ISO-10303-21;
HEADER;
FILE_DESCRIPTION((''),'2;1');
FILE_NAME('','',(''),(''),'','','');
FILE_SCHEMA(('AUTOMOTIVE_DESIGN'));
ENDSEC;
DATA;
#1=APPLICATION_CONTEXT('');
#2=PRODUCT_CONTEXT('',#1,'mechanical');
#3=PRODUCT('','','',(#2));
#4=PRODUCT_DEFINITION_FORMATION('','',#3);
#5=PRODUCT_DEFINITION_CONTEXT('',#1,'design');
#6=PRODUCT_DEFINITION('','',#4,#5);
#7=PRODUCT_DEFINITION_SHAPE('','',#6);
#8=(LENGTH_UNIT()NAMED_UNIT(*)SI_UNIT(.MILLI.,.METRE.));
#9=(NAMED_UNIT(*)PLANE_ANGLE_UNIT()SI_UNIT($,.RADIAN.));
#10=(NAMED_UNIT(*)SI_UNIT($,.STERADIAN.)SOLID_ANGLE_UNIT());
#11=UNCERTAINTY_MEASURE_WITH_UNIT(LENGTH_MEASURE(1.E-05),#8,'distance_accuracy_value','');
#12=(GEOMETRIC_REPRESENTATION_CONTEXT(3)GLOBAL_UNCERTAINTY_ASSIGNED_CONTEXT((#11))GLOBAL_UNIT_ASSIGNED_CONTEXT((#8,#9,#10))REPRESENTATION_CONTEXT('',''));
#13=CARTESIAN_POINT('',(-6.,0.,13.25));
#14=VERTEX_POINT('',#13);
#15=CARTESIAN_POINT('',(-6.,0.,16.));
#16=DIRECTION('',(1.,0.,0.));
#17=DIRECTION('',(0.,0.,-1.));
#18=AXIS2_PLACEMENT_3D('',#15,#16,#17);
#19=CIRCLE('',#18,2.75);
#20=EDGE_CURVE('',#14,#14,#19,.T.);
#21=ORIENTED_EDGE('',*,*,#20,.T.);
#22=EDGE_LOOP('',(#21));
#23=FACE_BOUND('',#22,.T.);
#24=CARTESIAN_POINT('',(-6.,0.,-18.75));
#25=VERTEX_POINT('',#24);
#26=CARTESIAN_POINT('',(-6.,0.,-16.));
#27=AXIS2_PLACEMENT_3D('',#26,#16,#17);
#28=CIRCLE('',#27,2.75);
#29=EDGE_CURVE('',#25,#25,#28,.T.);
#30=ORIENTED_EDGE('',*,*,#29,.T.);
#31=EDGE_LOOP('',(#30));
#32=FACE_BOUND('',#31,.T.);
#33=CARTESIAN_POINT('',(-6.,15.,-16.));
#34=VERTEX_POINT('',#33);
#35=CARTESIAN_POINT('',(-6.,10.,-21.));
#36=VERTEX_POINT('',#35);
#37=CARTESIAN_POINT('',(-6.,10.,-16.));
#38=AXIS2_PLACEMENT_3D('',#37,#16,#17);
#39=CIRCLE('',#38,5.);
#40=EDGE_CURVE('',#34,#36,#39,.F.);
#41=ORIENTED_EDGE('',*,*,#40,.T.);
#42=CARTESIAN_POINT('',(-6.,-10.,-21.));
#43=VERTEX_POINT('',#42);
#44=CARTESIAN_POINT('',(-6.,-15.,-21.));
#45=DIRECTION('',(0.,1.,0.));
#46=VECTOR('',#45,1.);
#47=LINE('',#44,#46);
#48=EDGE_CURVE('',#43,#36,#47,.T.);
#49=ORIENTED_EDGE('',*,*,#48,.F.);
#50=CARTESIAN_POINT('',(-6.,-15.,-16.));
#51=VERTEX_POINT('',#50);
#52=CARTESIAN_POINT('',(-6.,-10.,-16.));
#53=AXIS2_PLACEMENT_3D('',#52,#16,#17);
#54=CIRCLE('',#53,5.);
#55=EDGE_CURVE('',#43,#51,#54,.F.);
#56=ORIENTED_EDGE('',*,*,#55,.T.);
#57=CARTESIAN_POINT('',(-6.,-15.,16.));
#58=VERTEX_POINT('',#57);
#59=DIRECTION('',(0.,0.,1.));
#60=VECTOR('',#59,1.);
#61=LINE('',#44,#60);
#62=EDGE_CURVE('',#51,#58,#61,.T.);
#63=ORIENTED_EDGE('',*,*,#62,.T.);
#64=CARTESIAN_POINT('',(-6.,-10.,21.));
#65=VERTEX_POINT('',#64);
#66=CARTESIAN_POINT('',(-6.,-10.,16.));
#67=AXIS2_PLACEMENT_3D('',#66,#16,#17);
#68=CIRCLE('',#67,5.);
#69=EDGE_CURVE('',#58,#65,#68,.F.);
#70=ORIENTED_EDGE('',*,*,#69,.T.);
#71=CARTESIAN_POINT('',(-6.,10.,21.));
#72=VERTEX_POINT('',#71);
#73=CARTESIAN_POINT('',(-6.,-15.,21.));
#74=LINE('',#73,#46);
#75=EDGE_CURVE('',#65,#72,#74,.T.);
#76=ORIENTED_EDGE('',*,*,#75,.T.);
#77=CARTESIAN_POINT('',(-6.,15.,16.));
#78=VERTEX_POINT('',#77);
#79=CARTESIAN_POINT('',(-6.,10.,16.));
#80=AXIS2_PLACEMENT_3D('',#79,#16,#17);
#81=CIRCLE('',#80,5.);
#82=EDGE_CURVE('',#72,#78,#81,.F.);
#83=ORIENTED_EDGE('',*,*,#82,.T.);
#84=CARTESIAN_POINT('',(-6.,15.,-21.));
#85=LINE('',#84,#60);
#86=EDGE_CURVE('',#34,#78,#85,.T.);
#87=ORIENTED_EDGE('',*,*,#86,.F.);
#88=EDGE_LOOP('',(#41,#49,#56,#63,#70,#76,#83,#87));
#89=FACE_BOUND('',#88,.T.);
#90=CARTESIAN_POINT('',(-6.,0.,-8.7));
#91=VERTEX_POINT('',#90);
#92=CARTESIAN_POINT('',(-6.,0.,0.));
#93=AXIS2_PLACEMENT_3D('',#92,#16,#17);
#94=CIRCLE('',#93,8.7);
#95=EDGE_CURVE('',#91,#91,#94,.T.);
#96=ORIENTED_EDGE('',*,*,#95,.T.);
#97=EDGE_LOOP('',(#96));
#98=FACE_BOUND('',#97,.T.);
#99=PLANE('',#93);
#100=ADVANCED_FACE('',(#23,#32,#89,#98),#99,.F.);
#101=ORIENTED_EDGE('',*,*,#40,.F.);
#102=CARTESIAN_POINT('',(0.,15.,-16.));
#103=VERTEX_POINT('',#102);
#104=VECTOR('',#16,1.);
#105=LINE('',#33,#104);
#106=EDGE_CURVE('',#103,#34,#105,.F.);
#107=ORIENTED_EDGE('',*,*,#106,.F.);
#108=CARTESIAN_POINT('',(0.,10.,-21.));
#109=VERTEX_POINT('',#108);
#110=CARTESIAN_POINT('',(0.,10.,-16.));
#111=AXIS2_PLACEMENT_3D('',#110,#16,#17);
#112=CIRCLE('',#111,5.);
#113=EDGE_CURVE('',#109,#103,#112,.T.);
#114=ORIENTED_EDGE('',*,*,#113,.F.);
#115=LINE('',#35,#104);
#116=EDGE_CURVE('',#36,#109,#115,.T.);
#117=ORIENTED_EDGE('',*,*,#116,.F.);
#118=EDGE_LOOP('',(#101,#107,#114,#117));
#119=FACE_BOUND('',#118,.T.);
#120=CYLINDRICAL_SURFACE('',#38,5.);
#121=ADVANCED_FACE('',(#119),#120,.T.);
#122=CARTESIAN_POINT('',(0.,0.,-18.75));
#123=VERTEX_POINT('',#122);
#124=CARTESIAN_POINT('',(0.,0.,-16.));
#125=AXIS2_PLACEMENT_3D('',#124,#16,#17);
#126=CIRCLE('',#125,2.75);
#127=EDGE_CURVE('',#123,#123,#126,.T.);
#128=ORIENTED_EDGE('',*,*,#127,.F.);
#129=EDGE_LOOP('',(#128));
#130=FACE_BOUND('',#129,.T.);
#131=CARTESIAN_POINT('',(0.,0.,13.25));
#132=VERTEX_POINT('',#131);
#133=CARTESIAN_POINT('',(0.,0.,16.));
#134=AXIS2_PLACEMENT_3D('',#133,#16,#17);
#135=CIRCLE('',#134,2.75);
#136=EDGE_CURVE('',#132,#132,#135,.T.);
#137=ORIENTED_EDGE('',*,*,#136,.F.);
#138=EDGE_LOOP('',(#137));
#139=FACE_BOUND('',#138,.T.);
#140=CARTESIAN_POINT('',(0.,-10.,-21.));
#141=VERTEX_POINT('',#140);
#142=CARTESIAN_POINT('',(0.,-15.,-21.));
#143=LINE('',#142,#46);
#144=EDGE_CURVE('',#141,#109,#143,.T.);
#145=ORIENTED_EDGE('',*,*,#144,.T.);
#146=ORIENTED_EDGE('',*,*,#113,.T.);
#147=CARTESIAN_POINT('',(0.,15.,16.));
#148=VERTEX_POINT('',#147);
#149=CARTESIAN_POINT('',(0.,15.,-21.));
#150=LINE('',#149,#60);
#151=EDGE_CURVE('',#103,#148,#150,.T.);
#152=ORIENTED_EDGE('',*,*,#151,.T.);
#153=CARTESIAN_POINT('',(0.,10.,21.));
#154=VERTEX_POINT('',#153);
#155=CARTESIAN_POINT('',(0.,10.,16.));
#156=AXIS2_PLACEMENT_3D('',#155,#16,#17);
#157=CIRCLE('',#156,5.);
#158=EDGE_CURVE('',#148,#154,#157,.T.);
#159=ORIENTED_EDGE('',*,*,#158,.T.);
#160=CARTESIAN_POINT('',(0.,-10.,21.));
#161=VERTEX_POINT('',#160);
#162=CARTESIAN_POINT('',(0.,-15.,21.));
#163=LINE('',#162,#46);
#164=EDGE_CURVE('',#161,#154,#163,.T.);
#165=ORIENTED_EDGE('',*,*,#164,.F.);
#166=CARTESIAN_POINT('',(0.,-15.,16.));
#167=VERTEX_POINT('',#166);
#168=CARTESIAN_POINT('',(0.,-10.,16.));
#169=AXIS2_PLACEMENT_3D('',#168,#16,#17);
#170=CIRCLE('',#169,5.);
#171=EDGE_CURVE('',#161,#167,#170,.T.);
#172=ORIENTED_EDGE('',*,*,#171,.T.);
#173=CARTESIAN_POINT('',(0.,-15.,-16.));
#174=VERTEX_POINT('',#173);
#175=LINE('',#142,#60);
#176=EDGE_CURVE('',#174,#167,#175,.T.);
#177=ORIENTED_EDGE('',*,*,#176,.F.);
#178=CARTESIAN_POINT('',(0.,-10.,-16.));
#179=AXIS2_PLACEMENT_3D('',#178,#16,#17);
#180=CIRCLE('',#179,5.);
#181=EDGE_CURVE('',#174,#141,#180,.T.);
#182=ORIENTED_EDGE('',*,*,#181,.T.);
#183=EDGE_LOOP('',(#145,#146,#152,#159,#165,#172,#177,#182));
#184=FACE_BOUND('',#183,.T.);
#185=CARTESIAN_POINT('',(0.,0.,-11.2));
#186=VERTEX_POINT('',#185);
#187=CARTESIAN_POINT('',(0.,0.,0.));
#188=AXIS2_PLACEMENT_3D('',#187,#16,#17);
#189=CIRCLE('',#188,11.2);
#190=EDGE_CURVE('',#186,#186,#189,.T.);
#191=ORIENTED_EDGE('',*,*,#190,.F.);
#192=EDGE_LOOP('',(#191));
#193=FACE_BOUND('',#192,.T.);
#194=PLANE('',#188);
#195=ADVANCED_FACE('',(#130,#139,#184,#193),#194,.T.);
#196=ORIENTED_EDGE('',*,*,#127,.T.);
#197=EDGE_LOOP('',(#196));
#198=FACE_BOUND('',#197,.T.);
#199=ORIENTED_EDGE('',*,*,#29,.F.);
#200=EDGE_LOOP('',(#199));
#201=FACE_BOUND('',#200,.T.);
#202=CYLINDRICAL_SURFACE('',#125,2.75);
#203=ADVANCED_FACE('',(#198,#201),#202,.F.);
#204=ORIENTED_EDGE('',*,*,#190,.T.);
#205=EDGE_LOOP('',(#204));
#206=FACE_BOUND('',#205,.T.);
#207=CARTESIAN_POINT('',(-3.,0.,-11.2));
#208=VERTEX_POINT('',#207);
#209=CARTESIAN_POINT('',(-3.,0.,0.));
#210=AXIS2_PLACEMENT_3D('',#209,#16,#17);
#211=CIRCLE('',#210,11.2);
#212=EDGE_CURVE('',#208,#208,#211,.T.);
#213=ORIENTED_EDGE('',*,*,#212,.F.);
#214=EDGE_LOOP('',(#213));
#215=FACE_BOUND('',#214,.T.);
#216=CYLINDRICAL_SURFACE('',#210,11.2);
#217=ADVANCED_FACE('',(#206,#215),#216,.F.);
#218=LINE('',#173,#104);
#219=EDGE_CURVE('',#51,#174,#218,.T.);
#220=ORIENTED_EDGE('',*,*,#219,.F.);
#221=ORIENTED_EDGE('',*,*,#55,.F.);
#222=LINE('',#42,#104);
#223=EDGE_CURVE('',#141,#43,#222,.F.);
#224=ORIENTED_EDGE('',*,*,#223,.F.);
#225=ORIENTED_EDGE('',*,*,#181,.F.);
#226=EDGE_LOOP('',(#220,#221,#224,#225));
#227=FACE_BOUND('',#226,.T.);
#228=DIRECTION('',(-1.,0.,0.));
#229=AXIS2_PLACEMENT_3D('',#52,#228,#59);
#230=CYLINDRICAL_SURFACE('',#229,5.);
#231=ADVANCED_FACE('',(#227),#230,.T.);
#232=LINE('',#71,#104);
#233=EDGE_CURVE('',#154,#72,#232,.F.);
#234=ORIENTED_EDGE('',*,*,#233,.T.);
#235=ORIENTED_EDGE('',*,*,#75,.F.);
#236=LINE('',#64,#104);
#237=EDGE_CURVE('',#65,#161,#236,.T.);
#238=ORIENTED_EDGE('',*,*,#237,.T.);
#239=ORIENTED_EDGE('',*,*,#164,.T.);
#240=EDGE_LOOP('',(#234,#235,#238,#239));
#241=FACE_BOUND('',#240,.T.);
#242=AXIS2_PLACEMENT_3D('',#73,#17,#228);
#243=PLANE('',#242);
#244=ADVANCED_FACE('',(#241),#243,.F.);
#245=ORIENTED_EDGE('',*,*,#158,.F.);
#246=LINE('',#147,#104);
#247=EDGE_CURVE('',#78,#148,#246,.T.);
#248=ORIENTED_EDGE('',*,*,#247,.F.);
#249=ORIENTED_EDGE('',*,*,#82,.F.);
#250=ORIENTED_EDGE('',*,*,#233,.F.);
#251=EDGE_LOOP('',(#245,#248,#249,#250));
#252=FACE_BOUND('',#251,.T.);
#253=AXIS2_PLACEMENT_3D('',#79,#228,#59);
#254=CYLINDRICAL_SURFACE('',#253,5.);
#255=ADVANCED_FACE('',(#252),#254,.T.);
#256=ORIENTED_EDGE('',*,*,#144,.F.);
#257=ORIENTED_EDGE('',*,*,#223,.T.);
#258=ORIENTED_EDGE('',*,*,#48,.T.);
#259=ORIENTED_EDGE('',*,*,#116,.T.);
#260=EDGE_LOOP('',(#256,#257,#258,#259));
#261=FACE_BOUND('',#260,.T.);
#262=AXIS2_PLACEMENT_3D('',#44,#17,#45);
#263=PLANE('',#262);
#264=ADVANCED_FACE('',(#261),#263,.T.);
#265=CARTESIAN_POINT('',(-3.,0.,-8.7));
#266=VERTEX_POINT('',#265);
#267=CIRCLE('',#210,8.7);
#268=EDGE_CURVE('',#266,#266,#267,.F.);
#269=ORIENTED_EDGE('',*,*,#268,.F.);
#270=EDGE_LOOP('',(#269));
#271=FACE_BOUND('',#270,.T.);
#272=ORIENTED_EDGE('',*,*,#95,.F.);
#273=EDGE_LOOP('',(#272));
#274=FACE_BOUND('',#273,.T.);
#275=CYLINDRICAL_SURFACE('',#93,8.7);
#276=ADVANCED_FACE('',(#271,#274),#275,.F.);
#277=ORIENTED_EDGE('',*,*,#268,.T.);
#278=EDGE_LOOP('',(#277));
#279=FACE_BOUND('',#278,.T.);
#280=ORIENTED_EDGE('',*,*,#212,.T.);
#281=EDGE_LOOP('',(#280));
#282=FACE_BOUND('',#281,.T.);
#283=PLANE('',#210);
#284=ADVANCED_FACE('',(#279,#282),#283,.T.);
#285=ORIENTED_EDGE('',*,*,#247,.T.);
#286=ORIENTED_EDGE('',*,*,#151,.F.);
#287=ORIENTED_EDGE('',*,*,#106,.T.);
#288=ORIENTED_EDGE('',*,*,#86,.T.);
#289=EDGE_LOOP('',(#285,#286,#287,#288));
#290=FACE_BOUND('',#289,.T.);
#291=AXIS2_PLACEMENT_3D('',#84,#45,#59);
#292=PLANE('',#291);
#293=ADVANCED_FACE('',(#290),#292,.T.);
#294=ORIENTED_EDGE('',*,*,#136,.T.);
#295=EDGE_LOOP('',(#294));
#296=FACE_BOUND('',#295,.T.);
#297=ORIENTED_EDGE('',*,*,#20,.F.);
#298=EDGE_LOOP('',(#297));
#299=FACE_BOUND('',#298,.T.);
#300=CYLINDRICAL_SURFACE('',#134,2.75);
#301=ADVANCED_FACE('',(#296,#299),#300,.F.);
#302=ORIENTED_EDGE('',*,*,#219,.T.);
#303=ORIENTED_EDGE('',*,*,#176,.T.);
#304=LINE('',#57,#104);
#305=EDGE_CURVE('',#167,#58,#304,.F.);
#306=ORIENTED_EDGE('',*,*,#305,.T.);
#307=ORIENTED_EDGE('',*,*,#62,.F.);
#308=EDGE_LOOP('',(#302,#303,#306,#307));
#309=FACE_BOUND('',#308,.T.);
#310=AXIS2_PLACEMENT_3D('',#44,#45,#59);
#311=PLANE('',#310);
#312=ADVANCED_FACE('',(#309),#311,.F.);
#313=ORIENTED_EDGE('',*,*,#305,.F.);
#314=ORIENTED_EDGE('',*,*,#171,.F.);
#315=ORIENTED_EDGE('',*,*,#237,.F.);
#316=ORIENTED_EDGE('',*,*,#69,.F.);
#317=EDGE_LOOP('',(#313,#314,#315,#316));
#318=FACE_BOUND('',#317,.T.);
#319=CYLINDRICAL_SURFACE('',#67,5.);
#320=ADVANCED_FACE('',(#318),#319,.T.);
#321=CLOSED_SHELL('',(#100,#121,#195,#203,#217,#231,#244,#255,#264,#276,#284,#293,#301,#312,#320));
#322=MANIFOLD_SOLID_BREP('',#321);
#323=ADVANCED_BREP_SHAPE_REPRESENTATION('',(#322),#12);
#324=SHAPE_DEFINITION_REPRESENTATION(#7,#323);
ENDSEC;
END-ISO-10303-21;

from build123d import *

# Parameters (mm, degrees)
SKIZZE1_W                        = 42
SKIZZE1_H                        = 30
AUFSATZ_LINEAR_AUSTRAGEN1_DEPTH  = 6
SKIZZE1_3_R                      = 8.7
SCHNITT_LINEAR_AUSTRAGEN1_DEPTH  = 6
SKIZZE1_4_R                      = 11.2
SCHNITT_LINEAR_AUSTRAGEN2_DEPTH  = 3
F_5_5_5_5_DURCHMESSER_BOHRUNG1_D = 5.5
VERRUNDUNG1_R                    = 5


with BuildPart() as part:
    # Skizze1 → Aufsatz-Linear austragen1 (new body)
    with BuildSketch(Plane(origin=(0, 0, 0), x_dir=(0, 0, -1), z_dir=(1, 0, 0))):
        Rectangle(SKIZZE1_W, SKIZZE1_H)
    extrude(amount=-AUFSATZ_LINEAR_AUSTRAGEN1_DEPTH)

    # Skizze1<3> → Schnitt-Linear austragen1 (cut)
    with BuildSketch(Plane(origin=(0, 0, 0), x_dir=(0, 0, -1), z_dir=(1, 0, 0))):
        Circle(SKIZZE1_3_R)
    extrude(amount=-SCHNITT_LINEAR_AUSTRAGEN1_DEPTH, mode=Mode.SUBTRACT)

    # Skizze1<4> → Schnitt-Linear austragen2 (cut)
    with BuildSketch(Plane(origin=(0, 0, 0), x_dir=(0, 0, -1), z_dir=(1, 0, 0))):
        Circle(SKIZZE1_4_R)
    extrude(amount=-SCHNITT_LINEAR_AUSTRAGEN2_DEPTH, mode=Mode.SUBTRACT)

    # Ø5.5 (5.5) Durchmesser Bohrung1 (through all)
    with Locations(Plane(origin=(0, 0, 0), x_dir=(0, 0, -1), z_dir=(1, 0, 0))):
        with Locations((-16, 0), (16, 0)):
            Hole(F_5_5_5_5_DURCHMESSER_BOHRUNG1_D / 2)

    # Verrundung1
    verrundung1_edges = [part.edges().sort_by_distance(p)[0] for p in [
        (-3, -15, -21),
        (-3, -15, 21),
        (-3, 15, 21),
        (-3, 15, -21),
    ]]
    fillet(verrundung1_edges, radius=VERRUNDUNG1_R)


solid = part.part
